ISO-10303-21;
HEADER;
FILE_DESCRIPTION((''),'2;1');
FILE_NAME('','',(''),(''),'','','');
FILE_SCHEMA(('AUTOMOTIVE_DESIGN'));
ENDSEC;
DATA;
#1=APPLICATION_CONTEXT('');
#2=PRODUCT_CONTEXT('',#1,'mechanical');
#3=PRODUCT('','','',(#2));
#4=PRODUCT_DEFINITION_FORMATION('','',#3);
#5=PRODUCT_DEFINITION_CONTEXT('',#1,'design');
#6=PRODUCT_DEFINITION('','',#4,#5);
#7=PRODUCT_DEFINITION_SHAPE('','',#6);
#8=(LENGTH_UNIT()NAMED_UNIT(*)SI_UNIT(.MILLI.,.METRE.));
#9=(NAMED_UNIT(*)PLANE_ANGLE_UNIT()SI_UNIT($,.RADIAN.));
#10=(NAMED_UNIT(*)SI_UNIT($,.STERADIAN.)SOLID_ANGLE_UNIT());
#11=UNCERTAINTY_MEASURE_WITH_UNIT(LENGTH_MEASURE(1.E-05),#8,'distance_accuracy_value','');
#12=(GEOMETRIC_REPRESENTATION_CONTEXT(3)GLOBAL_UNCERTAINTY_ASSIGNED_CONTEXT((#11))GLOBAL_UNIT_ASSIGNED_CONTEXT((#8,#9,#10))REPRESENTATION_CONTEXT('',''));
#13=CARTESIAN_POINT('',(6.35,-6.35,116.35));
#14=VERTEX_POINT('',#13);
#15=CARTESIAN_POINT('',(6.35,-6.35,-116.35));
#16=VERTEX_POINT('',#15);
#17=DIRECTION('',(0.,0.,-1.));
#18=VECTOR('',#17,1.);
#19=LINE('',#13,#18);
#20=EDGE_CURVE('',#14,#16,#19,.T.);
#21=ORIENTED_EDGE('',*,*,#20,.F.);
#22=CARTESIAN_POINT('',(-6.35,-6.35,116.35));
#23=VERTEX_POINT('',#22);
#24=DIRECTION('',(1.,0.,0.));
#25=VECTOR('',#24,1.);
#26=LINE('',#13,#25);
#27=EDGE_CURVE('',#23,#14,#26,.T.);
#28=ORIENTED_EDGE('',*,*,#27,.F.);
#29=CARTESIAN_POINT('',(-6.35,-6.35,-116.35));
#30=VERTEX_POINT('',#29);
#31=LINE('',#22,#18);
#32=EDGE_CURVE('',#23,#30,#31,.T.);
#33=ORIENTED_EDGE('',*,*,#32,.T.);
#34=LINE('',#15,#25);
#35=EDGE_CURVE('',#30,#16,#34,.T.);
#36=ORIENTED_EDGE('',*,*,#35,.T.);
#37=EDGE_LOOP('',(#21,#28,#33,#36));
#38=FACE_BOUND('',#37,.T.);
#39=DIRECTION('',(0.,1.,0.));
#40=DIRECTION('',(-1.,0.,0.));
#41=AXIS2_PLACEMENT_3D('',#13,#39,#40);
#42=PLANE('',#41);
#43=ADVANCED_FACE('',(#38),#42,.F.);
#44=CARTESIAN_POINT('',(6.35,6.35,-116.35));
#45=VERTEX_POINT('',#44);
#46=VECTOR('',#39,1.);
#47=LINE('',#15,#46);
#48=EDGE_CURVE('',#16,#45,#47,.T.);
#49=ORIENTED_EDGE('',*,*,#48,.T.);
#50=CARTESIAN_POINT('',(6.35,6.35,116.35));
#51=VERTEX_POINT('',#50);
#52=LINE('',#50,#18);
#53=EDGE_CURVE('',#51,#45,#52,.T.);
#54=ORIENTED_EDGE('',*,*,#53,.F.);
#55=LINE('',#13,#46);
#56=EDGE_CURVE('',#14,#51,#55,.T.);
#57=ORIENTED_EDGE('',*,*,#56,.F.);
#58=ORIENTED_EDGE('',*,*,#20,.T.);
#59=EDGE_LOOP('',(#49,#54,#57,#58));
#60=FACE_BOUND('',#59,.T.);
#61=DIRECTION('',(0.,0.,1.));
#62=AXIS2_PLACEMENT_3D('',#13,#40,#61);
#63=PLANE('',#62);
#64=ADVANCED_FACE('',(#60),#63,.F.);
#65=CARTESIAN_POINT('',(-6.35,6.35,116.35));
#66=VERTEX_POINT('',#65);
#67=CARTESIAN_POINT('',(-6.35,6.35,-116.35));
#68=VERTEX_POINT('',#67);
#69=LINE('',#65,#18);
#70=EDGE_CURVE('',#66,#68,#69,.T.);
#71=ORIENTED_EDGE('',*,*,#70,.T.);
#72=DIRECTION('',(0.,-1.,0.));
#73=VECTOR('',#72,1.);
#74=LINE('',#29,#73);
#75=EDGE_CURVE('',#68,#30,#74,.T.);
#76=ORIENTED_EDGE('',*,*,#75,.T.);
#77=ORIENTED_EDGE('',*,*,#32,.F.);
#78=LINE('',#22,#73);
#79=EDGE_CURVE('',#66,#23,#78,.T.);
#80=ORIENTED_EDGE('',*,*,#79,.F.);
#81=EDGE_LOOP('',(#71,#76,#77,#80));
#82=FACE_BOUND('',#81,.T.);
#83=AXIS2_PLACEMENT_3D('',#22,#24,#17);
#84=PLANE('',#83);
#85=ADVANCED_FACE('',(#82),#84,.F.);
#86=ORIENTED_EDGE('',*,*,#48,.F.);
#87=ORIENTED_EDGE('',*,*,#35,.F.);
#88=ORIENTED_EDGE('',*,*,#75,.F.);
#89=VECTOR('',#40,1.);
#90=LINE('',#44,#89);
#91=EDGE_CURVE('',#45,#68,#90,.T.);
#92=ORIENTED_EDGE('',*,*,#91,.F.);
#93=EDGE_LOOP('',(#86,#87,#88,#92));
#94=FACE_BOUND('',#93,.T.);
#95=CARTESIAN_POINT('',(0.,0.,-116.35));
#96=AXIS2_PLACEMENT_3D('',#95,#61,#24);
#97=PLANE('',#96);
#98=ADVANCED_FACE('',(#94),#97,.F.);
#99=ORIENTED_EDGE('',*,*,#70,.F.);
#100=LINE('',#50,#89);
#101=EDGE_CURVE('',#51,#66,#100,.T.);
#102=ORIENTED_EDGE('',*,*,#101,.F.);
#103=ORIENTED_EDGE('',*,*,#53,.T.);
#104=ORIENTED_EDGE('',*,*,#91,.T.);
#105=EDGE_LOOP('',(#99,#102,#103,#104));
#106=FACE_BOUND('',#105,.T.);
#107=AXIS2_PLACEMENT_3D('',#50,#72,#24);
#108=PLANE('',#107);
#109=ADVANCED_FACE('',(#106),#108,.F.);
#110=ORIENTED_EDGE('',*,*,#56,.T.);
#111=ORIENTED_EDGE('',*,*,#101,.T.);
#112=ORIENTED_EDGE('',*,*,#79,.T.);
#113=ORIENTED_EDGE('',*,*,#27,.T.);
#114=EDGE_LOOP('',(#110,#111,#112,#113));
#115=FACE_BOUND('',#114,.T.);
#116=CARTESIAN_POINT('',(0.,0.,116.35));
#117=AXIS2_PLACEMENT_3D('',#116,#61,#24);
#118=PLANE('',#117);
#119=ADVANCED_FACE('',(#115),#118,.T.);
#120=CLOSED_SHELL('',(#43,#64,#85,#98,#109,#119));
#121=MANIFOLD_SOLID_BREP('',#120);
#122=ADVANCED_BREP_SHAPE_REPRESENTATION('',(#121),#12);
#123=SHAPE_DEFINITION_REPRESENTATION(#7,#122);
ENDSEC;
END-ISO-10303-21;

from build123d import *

# Parameters (mm, degrees)
CROQUIS1_W              = 12.7
CROQUIS1_H              = 12.7
SALIENTE_EXTRUIR1_DEPTH = 116.35


with BuildPart() as part:
    # Croquis1 → Saliente-Extruir1 (new, symmetric)
    with BuildSketch(Plane.XY):
        Rectangle(CROQUIS1_W, CROQUIS1_H)
    extrude(amount=SALIENTE_EXTRUIR1_DEPTH, both=True)


solid = part.part
